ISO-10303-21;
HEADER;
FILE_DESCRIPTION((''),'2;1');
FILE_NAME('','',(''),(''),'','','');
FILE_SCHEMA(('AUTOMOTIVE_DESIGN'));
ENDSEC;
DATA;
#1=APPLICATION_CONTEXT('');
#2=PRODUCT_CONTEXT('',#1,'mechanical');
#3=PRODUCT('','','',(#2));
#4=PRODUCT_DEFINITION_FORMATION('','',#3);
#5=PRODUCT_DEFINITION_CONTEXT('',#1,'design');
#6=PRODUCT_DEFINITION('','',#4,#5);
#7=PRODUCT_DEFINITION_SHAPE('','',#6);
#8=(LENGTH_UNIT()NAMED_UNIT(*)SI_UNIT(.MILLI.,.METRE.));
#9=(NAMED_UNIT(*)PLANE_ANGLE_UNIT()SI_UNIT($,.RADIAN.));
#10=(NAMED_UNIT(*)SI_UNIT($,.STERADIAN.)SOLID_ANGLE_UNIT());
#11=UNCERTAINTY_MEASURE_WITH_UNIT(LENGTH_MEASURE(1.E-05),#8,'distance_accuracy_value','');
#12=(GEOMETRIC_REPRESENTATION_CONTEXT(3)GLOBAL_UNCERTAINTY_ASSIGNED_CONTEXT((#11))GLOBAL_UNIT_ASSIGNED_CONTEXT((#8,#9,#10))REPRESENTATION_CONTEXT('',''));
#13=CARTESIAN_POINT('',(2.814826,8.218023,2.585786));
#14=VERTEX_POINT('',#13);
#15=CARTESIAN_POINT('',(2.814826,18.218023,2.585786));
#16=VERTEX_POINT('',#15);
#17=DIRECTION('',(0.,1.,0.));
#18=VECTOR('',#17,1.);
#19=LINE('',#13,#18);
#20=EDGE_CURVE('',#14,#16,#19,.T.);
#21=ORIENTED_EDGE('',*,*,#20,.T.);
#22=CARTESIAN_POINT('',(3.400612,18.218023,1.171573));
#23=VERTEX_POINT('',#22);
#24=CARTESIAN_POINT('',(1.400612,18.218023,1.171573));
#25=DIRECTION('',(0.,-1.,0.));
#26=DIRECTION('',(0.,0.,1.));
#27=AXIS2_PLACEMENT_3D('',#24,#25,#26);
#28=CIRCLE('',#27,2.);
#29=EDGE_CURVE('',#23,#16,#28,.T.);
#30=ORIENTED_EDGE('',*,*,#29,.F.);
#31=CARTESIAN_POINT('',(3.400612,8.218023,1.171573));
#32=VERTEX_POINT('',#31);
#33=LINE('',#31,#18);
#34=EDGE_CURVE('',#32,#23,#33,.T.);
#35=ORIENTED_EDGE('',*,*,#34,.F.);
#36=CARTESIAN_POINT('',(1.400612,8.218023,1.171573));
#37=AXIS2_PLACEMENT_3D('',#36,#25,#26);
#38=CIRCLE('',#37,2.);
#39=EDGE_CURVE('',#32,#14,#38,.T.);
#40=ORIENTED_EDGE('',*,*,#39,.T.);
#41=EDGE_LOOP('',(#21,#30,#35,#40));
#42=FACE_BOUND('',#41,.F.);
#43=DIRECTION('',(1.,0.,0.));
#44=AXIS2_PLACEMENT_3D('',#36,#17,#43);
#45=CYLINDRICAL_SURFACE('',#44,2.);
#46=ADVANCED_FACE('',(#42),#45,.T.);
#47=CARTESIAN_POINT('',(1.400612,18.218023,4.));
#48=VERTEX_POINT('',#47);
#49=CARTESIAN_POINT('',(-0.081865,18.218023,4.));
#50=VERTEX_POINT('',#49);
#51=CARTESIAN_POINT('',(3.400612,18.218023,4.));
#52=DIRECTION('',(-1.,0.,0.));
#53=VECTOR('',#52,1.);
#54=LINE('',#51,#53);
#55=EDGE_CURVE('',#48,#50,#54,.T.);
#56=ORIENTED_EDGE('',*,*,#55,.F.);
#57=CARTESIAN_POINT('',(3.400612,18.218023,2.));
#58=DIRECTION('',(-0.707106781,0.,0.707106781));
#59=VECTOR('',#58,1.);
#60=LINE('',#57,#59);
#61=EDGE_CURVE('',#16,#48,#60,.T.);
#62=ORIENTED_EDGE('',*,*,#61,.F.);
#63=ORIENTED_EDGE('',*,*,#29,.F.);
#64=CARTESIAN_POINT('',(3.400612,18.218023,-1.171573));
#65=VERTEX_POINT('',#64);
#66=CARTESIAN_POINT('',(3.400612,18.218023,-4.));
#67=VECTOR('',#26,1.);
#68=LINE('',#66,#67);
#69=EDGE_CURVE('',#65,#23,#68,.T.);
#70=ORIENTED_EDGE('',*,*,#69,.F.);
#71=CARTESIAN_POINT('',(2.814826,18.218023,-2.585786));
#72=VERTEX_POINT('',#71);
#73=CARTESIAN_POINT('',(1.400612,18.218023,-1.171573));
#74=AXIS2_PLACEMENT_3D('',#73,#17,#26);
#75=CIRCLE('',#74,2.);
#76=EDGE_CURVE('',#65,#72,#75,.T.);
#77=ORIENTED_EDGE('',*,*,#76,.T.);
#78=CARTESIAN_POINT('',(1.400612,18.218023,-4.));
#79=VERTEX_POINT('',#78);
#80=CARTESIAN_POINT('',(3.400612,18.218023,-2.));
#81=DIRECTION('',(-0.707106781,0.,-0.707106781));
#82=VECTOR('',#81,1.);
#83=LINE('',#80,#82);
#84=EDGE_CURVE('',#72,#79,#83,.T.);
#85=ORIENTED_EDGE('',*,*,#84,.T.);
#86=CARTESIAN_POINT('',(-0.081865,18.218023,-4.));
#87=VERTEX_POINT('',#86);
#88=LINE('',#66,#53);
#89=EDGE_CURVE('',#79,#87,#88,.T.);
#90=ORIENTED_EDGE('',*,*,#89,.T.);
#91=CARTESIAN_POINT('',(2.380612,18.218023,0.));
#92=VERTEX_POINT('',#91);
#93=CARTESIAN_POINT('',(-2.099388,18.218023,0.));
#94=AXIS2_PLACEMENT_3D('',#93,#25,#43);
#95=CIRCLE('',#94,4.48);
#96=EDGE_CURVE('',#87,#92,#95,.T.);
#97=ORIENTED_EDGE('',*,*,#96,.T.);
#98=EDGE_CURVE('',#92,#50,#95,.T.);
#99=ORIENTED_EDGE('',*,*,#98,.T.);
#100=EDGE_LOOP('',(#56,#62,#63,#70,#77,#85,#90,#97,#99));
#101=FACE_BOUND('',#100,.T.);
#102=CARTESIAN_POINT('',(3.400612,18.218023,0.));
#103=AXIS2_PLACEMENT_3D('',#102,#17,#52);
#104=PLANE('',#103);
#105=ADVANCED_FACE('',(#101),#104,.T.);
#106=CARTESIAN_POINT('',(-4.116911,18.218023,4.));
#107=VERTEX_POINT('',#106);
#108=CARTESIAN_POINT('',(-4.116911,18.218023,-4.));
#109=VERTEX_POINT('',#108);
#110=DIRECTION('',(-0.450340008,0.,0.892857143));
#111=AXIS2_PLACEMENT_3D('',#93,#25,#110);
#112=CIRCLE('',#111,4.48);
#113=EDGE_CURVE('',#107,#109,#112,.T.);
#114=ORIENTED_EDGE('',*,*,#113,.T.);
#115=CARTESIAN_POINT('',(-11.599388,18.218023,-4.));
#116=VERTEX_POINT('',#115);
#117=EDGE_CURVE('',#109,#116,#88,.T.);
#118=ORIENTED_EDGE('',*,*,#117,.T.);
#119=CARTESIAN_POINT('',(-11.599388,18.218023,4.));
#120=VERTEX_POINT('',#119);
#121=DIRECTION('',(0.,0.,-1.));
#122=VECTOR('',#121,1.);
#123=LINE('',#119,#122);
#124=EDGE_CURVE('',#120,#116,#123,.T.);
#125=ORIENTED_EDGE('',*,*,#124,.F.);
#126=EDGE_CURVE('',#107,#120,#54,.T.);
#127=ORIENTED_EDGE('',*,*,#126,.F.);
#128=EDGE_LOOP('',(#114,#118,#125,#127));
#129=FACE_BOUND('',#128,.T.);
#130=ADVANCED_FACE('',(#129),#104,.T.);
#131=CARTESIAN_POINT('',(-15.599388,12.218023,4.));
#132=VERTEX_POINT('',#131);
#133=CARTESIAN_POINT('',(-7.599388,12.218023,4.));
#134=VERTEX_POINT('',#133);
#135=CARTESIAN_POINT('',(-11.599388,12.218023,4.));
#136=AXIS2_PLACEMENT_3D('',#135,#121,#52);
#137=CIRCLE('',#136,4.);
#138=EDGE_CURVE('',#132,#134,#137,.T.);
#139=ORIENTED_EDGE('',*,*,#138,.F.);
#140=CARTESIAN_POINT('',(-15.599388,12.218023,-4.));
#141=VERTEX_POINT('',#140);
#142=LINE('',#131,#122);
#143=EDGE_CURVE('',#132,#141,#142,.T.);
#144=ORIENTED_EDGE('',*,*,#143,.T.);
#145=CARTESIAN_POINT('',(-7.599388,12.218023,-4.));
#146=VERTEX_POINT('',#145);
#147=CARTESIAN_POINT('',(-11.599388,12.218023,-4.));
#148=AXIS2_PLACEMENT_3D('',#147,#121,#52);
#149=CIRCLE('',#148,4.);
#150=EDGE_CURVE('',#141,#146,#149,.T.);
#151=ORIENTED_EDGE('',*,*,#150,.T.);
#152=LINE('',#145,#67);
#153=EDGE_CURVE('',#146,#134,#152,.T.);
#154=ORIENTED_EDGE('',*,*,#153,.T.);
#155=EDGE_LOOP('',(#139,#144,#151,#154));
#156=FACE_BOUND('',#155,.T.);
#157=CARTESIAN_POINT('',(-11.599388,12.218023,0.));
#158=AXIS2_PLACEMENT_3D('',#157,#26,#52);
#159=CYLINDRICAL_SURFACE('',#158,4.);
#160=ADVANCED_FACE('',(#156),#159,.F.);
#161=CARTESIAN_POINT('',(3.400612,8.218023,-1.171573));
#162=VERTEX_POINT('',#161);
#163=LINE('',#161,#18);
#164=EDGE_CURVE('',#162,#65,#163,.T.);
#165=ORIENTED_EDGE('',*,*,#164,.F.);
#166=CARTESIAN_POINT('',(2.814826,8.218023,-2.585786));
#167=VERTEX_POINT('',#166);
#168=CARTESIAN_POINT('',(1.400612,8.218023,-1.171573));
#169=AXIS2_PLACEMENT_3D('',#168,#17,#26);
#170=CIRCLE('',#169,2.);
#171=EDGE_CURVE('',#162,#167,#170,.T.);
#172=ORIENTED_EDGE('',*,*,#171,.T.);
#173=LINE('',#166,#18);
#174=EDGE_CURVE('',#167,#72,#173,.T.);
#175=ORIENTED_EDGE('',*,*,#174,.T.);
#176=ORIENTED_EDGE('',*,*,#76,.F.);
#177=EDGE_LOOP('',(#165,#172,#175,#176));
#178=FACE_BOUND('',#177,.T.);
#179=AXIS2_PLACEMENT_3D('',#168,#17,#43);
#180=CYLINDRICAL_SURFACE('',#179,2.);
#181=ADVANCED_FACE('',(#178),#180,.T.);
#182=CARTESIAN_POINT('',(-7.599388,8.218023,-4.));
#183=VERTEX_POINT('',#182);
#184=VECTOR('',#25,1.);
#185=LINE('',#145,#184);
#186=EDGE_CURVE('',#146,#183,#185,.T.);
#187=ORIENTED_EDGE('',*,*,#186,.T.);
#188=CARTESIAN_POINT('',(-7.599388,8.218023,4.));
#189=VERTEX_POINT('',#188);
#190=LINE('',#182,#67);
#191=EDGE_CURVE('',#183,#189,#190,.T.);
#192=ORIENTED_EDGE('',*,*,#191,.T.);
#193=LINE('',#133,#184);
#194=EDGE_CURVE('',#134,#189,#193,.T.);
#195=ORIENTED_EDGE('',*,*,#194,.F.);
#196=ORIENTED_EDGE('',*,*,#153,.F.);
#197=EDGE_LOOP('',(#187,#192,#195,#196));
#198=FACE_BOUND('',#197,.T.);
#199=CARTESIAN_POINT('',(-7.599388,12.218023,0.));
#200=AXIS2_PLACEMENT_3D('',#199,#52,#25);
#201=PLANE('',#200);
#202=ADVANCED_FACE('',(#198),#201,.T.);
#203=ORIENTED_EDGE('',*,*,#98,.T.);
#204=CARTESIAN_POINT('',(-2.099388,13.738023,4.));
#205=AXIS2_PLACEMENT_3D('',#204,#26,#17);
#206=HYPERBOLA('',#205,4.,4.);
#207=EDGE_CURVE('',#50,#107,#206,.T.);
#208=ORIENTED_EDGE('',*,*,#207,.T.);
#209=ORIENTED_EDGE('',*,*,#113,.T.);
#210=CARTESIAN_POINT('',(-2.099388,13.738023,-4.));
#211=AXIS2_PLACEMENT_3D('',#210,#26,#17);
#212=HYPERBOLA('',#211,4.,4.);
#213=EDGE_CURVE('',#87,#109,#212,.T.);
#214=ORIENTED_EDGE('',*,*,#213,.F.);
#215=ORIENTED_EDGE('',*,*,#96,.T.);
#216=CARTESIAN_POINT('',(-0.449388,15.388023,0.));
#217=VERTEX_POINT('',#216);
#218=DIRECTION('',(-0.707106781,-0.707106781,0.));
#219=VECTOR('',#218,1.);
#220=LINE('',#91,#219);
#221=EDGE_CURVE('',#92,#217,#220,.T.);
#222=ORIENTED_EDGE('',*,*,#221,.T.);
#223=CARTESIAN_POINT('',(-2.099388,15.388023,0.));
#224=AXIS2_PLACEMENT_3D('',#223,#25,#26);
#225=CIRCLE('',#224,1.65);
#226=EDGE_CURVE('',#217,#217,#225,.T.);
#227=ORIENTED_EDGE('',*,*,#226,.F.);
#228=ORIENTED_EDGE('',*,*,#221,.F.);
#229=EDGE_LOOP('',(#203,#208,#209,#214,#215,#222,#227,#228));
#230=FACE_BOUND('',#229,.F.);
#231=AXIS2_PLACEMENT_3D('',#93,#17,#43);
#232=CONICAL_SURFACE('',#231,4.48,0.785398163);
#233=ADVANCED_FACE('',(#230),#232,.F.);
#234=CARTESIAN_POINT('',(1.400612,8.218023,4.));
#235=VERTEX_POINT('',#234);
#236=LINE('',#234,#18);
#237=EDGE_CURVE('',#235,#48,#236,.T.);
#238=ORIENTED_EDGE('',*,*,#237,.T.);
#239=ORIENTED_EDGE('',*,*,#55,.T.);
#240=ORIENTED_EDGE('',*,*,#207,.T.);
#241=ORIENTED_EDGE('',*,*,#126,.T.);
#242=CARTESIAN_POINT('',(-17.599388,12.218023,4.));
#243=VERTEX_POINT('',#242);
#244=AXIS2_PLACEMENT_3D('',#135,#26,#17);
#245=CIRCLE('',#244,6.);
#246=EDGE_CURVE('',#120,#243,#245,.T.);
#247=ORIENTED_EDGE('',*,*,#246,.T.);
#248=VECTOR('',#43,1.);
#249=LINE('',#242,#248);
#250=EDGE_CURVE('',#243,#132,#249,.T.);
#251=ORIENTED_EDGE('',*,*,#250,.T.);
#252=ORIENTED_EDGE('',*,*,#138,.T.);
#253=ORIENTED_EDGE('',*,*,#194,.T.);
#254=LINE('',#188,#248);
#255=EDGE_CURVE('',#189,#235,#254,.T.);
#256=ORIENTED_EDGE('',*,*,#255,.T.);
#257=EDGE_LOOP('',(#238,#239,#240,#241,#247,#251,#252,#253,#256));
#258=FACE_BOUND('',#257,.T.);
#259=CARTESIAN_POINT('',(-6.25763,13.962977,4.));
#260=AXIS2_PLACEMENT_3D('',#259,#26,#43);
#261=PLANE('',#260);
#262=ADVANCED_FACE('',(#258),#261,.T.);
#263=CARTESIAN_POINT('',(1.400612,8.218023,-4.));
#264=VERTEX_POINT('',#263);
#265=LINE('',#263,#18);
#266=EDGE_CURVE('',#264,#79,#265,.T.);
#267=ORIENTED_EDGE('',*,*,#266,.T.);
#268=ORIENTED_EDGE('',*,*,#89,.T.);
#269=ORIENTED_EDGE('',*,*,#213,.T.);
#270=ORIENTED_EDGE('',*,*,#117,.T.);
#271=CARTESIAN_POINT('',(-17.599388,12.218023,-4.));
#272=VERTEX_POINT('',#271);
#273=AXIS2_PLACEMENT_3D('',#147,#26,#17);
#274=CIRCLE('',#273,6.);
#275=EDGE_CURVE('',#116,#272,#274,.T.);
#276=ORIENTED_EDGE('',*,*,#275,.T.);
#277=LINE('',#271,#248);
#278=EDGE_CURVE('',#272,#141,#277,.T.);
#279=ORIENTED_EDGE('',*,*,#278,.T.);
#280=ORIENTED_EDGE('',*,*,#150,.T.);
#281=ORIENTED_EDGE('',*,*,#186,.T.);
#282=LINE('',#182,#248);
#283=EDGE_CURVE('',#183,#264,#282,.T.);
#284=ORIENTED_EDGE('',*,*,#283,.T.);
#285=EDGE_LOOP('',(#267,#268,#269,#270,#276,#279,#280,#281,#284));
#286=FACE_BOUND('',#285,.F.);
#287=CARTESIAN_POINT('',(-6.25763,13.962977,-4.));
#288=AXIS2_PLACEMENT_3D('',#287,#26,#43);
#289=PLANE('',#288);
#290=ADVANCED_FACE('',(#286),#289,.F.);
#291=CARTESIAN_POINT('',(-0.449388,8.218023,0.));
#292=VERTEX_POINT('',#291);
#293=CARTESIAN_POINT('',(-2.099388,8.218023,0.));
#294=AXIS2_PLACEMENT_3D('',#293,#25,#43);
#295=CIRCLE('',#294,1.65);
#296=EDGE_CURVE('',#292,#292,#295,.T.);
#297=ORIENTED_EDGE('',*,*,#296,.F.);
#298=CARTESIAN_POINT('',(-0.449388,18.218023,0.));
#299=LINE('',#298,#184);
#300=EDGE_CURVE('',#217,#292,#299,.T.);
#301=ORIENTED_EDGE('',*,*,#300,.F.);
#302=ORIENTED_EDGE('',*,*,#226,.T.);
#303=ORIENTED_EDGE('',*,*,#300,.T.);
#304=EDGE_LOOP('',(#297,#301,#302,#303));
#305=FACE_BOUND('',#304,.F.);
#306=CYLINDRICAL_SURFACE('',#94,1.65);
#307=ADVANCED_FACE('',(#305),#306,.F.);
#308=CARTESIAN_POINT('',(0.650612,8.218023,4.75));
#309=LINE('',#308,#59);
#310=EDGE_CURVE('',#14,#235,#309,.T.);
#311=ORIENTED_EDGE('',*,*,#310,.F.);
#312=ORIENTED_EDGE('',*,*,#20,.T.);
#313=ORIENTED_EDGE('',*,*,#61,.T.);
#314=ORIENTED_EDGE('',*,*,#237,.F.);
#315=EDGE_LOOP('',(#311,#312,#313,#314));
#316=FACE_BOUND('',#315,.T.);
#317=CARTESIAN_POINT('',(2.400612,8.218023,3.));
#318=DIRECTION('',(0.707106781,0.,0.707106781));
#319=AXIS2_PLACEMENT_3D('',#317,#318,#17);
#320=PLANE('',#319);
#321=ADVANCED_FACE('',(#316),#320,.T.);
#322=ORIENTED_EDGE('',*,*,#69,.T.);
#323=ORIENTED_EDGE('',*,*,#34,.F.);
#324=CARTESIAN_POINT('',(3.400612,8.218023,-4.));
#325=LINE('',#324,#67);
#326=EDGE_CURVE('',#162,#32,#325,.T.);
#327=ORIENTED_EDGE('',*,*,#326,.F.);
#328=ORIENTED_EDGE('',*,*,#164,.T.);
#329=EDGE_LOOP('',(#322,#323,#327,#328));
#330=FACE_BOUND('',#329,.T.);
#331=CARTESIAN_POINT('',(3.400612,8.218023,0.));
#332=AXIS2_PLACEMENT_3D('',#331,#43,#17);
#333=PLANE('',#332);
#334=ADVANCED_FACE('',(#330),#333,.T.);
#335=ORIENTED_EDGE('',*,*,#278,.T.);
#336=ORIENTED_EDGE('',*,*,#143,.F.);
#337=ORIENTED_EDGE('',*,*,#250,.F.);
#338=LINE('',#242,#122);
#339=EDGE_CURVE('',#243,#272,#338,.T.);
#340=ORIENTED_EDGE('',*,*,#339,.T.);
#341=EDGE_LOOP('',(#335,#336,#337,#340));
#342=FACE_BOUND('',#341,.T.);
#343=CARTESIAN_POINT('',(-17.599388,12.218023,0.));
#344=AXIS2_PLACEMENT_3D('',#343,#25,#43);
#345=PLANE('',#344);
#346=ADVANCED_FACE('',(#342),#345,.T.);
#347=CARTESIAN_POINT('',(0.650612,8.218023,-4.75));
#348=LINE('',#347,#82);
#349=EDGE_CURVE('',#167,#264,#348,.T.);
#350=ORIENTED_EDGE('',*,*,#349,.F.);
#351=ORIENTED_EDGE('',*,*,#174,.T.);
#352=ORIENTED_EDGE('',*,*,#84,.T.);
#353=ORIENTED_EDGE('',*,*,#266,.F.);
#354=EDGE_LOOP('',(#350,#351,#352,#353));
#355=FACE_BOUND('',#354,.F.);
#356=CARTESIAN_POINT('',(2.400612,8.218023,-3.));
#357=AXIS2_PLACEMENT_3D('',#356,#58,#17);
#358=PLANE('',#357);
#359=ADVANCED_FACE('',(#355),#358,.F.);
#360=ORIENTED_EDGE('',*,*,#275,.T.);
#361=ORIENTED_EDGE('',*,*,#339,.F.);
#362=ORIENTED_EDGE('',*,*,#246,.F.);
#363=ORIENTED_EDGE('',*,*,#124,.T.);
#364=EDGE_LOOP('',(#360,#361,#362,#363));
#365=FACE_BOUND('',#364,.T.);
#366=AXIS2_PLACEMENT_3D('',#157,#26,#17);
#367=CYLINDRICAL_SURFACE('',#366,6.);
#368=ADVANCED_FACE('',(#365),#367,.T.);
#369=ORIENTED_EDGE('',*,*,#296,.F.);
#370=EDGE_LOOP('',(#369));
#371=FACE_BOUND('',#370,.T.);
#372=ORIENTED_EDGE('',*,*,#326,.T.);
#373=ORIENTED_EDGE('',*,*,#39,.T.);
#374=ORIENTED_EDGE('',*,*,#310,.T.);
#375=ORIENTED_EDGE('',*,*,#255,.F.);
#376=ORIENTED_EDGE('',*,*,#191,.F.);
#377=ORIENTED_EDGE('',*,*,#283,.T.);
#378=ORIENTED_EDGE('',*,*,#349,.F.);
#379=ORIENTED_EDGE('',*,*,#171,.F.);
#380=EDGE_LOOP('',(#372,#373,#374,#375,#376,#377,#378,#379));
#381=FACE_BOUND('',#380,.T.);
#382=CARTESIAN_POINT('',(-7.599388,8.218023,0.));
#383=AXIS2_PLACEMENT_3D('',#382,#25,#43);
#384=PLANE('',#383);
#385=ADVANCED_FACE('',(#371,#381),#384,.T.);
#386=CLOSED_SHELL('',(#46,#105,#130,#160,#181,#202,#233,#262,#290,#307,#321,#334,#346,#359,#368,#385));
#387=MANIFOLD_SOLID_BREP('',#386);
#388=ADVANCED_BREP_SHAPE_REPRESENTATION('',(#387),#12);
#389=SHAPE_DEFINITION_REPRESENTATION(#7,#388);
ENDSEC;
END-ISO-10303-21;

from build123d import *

# Parameters (mm, degrees)
F1_DEPTH       = 4
F3_D           = 3.3
F3_CSINK_D     = 8.96
F3_CSINK_ANGLE = 90
F4_SIZE        = 2
F5_R           = 2


with BuildPart() as f1:
    # F0 (on Top) → F1 (new body, symmetric)
    with BuildSketch(Plane.XY):
        with BuildLine():
            ThreePointArc((-15.5993879735, 12.218022719), (-11.5993879735, 16.218022719), (-7.5993879735, 12.218022719))
            Line((-7.5993879735, 12.218022719), (-7.5993879735, 8.218022719))
            Line((-7.5993879735, 8.218022719), (3.4006120265, 8.218022719))
            Line((3.4006120265, 8.218022719), (3.4006120265, 18.218022719))
            Line((3.4006120265, 18.218022719), (-11.5993879735, 18.218022719))
            ThreePointArc((-11.5993879735, 18.218022719), (-15.8420286607, 16.4606634061), (-17.5993879735, 12.218022719))
            Line((-17.5993879735, 12.218022719), (-15.5993879735, 12.218022719))
        make_face()
    extrude(amount=F1_DEPTH, both=True)

    # F3 (through all)
    with Locations(Plane(origin=(0, 18.218022719, 0), x_dir=(-1, 0, 0), z_dir=(0, 1, 0))):
        with Locations((2.0993879735, 0)):
            CounterSinkHole(F3_D / 2, F3_CSINK_D / 2, counter_sink_angle=F3_CSINK_ANGLE)

    # F4
    f4_edges = [f1.edges().sort_by_distance(p)[0] for p in [
        (3.400612, 13.218023, 4),
        (3.400612, 13.218023, -4),
    ]]
    chamfer(f4_edges, length=F4_SIZE)

    # F5
    f5_edges = [f1.edges().sort_by_distance(p)[0] for p in [
        (3.400612, 13.218023, 2),
        (3.400612, 13.218023, -2),
    ]]
    fillet(f5_edges, radius=F5_R)


solid = f1.part
